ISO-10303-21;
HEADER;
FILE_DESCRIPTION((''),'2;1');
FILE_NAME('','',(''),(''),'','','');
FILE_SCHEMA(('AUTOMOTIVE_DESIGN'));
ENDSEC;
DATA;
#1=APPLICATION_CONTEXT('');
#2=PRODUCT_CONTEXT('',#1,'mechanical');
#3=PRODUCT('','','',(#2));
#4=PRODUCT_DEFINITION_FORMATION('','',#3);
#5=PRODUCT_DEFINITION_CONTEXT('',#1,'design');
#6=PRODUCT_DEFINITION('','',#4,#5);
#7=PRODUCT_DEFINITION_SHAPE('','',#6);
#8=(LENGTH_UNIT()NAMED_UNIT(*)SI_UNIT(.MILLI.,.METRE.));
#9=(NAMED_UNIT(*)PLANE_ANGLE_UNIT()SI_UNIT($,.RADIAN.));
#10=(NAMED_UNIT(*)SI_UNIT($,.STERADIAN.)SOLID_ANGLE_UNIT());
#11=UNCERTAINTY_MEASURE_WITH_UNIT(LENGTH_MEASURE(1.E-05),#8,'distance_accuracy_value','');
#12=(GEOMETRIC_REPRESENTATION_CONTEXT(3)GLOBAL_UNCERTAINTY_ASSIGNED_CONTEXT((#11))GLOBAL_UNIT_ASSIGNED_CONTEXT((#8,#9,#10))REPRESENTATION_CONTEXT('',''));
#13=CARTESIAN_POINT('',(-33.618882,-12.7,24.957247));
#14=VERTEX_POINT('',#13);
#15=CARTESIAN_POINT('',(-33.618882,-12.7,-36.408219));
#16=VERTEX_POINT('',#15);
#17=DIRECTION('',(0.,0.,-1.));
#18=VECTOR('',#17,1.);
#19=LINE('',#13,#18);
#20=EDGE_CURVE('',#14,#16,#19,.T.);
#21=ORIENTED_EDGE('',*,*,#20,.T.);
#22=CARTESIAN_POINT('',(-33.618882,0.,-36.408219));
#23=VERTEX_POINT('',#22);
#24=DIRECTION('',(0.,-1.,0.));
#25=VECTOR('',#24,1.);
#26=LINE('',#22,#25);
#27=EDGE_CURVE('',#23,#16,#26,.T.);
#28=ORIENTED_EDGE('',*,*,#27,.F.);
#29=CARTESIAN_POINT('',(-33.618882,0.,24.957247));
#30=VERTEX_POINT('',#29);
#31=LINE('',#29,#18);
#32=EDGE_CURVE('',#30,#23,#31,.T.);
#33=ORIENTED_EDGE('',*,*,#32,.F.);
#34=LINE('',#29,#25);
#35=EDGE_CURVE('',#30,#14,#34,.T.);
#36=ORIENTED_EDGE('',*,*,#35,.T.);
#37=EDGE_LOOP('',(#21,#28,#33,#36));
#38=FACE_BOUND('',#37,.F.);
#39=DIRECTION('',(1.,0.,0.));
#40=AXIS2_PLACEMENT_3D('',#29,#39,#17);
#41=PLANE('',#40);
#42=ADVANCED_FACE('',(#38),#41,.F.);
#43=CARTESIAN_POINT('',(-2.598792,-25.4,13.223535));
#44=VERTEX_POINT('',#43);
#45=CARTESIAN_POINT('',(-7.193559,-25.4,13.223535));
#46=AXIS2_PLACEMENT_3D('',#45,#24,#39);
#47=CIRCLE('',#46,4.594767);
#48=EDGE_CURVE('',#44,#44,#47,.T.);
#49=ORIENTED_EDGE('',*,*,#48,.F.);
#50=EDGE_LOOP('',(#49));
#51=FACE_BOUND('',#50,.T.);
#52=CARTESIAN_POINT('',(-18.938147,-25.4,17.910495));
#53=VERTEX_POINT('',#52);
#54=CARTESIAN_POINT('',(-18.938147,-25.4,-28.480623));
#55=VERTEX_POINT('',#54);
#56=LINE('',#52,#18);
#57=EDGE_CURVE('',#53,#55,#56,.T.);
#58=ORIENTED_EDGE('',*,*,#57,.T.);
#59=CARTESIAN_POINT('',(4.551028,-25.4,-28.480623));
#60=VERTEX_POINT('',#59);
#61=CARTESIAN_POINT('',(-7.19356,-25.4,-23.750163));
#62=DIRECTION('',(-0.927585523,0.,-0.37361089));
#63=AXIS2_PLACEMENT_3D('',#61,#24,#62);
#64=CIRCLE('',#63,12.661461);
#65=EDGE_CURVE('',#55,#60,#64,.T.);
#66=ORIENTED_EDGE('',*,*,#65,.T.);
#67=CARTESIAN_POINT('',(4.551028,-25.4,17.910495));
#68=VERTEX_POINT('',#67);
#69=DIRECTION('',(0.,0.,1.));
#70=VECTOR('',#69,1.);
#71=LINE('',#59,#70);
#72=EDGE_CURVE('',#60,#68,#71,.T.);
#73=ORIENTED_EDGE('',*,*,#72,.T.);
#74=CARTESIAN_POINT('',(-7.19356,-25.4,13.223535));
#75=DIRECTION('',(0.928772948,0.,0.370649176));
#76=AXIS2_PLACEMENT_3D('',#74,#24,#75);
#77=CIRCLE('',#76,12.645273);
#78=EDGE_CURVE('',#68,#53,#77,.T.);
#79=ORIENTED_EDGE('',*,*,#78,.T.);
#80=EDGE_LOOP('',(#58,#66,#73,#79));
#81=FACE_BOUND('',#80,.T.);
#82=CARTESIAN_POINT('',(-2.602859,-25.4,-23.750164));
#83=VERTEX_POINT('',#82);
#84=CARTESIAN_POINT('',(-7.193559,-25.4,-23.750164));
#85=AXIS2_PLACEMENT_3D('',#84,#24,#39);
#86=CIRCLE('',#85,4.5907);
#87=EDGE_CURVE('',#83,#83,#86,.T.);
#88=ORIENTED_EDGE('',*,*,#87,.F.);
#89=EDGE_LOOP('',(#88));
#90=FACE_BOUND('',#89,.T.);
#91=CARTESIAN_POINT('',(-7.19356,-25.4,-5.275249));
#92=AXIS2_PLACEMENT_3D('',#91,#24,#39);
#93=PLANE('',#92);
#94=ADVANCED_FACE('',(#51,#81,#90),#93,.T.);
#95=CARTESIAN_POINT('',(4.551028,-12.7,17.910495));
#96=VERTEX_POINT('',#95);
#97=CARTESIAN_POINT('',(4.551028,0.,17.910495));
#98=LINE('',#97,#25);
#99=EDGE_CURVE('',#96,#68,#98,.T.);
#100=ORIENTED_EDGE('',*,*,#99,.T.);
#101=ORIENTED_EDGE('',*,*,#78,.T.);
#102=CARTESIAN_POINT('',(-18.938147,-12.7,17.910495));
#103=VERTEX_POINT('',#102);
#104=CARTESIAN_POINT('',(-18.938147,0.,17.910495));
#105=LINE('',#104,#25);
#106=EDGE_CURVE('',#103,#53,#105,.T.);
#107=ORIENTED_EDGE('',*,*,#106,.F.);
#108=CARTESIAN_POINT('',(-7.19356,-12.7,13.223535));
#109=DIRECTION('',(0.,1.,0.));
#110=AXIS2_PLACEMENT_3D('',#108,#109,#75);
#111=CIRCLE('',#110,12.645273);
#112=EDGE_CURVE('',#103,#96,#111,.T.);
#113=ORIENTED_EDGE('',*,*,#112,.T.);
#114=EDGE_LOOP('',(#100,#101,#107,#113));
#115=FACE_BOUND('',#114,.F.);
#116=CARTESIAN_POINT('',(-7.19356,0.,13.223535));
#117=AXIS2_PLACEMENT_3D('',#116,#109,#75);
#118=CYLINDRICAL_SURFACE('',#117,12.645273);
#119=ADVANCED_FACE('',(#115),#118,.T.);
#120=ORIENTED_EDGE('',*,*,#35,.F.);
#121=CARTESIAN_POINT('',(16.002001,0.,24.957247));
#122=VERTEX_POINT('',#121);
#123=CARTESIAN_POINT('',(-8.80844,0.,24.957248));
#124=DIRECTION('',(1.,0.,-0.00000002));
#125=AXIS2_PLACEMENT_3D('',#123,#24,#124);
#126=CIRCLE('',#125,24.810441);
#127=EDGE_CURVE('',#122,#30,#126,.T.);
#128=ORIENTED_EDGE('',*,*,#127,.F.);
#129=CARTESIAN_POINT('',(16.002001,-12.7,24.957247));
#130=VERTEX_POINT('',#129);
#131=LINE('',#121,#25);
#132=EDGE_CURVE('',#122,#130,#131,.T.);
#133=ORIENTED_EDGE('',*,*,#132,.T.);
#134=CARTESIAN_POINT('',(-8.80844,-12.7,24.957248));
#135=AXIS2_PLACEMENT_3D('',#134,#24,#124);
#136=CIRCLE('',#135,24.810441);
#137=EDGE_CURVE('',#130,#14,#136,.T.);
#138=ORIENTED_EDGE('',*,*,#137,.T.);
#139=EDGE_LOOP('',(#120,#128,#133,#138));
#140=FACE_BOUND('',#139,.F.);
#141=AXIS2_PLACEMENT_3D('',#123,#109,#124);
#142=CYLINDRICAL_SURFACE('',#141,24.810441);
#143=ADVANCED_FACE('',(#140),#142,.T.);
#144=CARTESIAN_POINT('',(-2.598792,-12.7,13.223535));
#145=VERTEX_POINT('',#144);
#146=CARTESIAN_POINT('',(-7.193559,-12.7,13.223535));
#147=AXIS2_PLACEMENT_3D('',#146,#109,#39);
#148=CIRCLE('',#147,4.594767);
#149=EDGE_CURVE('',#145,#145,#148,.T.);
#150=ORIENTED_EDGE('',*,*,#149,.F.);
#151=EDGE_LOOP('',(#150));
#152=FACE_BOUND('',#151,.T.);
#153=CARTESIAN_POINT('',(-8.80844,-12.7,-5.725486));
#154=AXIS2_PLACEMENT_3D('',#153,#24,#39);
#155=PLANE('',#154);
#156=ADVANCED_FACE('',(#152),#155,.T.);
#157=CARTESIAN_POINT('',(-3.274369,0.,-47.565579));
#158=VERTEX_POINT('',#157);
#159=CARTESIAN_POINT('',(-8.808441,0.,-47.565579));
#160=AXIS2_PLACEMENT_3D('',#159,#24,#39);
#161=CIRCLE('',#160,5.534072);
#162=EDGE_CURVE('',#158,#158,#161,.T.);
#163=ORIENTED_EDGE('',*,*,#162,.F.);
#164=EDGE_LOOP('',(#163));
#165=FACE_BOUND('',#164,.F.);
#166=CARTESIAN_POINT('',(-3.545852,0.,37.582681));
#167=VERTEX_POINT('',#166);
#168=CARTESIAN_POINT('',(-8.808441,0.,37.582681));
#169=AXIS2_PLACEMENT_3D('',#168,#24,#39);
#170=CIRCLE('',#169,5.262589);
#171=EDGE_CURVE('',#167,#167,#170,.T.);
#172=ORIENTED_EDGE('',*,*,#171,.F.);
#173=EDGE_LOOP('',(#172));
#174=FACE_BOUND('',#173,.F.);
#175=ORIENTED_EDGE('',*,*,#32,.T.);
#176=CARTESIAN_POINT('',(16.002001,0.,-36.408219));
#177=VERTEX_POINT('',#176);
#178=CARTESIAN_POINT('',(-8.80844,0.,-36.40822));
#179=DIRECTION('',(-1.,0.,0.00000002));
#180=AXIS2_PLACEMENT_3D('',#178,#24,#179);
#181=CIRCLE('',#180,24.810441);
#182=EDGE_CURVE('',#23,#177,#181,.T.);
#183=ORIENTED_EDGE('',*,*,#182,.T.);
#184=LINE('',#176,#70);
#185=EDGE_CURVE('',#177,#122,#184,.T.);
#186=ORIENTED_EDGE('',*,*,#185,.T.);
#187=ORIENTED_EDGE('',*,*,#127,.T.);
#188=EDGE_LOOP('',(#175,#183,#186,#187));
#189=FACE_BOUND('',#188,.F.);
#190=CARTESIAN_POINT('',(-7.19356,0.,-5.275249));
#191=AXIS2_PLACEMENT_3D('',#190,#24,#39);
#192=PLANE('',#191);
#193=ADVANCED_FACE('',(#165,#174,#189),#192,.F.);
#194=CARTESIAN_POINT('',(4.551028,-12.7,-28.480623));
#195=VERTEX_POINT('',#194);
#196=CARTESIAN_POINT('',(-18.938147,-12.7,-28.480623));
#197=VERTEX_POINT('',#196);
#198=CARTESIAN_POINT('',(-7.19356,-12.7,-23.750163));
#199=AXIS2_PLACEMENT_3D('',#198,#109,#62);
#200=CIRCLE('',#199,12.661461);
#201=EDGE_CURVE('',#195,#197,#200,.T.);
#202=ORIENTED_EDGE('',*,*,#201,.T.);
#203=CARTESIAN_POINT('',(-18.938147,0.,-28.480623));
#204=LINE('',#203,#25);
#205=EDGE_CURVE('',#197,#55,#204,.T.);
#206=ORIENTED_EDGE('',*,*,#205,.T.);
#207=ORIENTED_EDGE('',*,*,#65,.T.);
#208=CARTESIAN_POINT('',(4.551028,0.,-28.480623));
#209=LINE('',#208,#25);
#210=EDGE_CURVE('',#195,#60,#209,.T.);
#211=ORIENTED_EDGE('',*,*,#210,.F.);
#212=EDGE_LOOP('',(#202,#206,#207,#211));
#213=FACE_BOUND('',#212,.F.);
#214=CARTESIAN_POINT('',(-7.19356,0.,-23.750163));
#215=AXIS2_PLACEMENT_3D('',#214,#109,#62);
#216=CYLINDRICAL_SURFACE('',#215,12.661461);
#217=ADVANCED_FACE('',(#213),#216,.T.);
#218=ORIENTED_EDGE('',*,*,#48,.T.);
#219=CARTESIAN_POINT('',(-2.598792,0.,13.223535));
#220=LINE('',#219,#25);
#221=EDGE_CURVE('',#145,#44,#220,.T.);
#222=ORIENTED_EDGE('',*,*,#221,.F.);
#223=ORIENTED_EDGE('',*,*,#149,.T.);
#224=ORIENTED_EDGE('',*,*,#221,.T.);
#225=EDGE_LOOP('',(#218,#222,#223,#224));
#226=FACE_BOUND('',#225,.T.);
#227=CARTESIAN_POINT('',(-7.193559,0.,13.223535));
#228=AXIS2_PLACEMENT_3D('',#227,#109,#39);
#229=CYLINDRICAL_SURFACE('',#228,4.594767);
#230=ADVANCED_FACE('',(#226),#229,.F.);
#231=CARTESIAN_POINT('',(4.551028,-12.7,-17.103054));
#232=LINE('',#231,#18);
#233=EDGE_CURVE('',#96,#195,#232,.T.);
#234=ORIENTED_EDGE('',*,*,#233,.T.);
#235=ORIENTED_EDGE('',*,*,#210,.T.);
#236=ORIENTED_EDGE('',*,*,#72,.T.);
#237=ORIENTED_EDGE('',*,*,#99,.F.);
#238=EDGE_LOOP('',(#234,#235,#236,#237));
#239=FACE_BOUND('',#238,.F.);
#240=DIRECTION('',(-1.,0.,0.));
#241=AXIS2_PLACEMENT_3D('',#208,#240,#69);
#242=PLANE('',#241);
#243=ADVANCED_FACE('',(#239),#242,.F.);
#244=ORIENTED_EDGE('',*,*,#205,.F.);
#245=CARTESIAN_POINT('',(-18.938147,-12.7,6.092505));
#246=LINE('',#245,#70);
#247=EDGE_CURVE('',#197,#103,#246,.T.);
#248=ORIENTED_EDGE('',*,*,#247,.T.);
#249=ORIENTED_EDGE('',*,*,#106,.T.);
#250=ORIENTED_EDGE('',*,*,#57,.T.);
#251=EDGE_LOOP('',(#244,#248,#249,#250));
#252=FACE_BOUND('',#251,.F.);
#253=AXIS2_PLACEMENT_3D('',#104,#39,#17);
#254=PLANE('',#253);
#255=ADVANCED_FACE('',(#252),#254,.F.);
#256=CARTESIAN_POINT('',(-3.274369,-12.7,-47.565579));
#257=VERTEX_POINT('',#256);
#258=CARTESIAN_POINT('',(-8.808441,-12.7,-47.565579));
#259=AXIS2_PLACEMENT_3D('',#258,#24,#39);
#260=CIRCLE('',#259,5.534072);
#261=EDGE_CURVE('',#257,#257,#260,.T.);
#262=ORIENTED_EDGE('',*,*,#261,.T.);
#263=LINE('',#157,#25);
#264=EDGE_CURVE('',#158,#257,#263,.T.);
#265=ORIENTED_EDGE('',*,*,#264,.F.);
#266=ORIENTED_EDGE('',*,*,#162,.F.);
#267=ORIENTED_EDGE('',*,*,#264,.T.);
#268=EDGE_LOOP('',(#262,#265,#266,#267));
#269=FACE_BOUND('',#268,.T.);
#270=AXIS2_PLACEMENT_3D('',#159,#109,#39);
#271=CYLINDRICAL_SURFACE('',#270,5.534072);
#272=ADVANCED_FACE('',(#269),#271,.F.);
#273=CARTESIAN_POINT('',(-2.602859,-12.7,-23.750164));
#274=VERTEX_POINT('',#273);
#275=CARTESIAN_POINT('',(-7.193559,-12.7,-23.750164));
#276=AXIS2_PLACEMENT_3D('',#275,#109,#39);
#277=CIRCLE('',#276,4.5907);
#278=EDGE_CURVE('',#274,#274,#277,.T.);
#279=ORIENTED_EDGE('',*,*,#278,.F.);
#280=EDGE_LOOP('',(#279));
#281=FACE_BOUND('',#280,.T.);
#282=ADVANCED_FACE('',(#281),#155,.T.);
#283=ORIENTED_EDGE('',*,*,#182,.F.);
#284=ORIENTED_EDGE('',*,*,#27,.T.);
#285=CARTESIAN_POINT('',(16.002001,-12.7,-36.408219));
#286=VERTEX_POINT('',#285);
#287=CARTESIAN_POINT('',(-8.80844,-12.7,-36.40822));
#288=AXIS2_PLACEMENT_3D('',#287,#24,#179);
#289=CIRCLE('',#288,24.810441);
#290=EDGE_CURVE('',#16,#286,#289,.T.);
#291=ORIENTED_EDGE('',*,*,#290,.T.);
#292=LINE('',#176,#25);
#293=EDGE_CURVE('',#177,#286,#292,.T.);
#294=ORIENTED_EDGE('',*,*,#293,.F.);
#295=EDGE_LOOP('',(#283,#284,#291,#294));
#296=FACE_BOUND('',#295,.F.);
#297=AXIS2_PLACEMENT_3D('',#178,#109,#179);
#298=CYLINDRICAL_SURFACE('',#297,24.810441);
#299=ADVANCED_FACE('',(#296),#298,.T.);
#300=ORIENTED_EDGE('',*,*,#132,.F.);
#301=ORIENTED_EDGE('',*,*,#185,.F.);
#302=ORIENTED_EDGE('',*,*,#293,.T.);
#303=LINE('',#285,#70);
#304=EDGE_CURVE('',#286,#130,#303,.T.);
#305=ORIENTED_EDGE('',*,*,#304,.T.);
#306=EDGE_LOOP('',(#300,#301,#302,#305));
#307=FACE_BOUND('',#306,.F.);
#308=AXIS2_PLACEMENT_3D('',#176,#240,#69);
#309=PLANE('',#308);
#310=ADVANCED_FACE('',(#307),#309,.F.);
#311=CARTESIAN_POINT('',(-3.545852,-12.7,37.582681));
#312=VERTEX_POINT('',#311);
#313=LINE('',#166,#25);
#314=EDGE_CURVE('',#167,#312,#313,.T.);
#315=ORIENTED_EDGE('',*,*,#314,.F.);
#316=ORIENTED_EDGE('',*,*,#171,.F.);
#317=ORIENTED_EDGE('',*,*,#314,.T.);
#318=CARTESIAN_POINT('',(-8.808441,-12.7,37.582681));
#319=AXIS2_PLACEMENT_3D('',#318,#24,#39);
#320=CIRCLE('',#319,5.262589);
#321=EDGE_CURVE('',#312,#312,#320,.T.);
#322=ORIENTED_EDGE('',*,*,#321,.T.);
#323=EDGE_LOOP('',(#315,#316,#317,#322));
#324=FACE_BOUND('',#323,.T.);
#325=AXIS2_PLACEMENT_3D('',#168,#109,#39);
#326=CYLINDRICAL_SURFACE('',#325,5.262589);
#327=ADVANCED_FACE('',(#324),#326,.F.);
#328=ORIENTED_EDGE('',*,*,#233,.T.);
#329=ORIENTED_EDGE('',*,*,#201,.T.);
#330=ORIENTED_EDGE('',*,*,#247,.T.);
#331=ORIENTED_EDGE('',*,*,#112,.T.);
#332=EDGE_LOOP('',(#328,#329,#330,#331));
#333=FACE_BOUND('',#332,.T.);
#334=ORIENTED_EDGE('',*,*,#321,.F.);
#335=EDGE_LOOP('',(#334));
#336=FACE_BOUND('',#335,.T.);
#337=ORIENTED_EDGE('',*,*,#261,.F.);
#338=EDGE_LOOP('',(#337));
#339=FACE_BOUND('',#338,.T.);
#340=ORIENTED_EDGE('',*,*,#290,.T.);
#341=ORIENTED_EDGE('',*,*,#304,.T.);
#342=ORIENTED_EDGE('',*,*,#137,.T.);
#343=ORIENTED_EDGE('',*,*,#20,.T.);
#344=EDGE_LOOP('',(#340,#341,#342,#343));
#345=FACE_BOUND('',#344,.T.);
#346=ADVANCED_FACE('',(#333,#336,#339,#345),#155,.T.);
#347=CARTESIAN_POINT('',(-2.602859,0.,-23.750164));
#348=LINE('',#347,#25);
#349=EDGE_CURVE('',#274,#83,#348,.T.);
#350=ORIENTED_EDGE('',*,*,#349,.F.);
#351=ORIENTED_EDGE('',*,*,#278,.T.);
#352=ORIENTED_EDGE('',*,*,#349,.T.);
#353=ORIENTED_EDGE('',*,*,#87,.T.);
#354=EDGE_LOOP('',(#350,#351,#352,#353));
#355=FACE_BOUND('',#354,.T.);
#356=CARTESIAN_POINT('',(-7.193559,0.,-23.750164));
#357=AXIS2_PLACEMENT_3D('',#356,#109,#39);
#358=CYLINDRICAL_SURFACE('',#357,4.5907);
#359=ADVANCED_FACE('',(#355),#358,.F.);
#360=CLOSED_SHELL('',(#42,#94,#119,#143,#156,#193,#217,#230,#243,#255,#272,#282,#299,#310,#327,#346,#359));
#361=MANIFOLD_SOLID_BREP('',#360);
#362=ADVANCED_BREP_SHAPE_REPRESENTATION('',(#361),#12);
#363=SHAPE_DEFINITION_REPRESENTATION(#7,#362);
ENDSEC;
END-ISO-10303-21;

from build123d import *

# Parameters (mm, degrees)
F0_R     = 5.534072
F0_R_2   = 5.262589
F1_DEPTH = 12.7
F2_R     = 4.5907
F2_R_2   = 4.594767
F3_DEPTH = 25.4


with BuildPart() as f1:
    # F0 (on Front) → F1 (new body)
    with BuildSketch(Plane.XZ):
        with BuildLine():
            ThreePointArc((16.002001, 24.957247), (-8.808441, 49.767689), (-33.618882, 24.957247))
            Line((-33.618882, 24.957247), (-33.618882, -36.408219))
            ThreePointArc((-33.618882, -36.408219), (-8.808441, -61.218661), (16.002001, -36.408219))
            Line((16.002001, -36.408219), (16.002001, 24.957247))
        make_face()
        with Locations((-8.808441, -47.565579)):
            Circle(F0_R, mode=Mode.SUBTRACT)
        with Locations((-8.808441, 37.582681)):
            Circle(F0_R_2, mode=Mode.SUBTRACT)
    extrude(amount=F1_DEPTH)

    # F2 (on Front) → F3 (join)
    with BuildSketch(Plane.XZ):
        with BuildLine():
            ThreePointArc((4.551028, 17.910495), (-7.193559, 25.868808), (-18.938147, 17.910495))
            Line((-18.938147, 17.910495), (-18.938147, -28.480623))
            ThreePointArc((-18.938147, -28.480623), (-7.193559, -36.411624), (4.551028, -28.480623))
            Line((4.551028, -28.480623), (4.551028, 17.910495))
        make_face()
        with Locations((-7.193559, -23.750164)):
            Circle(F2_R, mode=Mode.SUBTRACT)
        with Locations((-7.193559, 13.223535)):
            Circle(F2_R_2, mode=Mode.SUBTRACT)
    extrude(amount=F3_DEPTH)


solid = f1.part
